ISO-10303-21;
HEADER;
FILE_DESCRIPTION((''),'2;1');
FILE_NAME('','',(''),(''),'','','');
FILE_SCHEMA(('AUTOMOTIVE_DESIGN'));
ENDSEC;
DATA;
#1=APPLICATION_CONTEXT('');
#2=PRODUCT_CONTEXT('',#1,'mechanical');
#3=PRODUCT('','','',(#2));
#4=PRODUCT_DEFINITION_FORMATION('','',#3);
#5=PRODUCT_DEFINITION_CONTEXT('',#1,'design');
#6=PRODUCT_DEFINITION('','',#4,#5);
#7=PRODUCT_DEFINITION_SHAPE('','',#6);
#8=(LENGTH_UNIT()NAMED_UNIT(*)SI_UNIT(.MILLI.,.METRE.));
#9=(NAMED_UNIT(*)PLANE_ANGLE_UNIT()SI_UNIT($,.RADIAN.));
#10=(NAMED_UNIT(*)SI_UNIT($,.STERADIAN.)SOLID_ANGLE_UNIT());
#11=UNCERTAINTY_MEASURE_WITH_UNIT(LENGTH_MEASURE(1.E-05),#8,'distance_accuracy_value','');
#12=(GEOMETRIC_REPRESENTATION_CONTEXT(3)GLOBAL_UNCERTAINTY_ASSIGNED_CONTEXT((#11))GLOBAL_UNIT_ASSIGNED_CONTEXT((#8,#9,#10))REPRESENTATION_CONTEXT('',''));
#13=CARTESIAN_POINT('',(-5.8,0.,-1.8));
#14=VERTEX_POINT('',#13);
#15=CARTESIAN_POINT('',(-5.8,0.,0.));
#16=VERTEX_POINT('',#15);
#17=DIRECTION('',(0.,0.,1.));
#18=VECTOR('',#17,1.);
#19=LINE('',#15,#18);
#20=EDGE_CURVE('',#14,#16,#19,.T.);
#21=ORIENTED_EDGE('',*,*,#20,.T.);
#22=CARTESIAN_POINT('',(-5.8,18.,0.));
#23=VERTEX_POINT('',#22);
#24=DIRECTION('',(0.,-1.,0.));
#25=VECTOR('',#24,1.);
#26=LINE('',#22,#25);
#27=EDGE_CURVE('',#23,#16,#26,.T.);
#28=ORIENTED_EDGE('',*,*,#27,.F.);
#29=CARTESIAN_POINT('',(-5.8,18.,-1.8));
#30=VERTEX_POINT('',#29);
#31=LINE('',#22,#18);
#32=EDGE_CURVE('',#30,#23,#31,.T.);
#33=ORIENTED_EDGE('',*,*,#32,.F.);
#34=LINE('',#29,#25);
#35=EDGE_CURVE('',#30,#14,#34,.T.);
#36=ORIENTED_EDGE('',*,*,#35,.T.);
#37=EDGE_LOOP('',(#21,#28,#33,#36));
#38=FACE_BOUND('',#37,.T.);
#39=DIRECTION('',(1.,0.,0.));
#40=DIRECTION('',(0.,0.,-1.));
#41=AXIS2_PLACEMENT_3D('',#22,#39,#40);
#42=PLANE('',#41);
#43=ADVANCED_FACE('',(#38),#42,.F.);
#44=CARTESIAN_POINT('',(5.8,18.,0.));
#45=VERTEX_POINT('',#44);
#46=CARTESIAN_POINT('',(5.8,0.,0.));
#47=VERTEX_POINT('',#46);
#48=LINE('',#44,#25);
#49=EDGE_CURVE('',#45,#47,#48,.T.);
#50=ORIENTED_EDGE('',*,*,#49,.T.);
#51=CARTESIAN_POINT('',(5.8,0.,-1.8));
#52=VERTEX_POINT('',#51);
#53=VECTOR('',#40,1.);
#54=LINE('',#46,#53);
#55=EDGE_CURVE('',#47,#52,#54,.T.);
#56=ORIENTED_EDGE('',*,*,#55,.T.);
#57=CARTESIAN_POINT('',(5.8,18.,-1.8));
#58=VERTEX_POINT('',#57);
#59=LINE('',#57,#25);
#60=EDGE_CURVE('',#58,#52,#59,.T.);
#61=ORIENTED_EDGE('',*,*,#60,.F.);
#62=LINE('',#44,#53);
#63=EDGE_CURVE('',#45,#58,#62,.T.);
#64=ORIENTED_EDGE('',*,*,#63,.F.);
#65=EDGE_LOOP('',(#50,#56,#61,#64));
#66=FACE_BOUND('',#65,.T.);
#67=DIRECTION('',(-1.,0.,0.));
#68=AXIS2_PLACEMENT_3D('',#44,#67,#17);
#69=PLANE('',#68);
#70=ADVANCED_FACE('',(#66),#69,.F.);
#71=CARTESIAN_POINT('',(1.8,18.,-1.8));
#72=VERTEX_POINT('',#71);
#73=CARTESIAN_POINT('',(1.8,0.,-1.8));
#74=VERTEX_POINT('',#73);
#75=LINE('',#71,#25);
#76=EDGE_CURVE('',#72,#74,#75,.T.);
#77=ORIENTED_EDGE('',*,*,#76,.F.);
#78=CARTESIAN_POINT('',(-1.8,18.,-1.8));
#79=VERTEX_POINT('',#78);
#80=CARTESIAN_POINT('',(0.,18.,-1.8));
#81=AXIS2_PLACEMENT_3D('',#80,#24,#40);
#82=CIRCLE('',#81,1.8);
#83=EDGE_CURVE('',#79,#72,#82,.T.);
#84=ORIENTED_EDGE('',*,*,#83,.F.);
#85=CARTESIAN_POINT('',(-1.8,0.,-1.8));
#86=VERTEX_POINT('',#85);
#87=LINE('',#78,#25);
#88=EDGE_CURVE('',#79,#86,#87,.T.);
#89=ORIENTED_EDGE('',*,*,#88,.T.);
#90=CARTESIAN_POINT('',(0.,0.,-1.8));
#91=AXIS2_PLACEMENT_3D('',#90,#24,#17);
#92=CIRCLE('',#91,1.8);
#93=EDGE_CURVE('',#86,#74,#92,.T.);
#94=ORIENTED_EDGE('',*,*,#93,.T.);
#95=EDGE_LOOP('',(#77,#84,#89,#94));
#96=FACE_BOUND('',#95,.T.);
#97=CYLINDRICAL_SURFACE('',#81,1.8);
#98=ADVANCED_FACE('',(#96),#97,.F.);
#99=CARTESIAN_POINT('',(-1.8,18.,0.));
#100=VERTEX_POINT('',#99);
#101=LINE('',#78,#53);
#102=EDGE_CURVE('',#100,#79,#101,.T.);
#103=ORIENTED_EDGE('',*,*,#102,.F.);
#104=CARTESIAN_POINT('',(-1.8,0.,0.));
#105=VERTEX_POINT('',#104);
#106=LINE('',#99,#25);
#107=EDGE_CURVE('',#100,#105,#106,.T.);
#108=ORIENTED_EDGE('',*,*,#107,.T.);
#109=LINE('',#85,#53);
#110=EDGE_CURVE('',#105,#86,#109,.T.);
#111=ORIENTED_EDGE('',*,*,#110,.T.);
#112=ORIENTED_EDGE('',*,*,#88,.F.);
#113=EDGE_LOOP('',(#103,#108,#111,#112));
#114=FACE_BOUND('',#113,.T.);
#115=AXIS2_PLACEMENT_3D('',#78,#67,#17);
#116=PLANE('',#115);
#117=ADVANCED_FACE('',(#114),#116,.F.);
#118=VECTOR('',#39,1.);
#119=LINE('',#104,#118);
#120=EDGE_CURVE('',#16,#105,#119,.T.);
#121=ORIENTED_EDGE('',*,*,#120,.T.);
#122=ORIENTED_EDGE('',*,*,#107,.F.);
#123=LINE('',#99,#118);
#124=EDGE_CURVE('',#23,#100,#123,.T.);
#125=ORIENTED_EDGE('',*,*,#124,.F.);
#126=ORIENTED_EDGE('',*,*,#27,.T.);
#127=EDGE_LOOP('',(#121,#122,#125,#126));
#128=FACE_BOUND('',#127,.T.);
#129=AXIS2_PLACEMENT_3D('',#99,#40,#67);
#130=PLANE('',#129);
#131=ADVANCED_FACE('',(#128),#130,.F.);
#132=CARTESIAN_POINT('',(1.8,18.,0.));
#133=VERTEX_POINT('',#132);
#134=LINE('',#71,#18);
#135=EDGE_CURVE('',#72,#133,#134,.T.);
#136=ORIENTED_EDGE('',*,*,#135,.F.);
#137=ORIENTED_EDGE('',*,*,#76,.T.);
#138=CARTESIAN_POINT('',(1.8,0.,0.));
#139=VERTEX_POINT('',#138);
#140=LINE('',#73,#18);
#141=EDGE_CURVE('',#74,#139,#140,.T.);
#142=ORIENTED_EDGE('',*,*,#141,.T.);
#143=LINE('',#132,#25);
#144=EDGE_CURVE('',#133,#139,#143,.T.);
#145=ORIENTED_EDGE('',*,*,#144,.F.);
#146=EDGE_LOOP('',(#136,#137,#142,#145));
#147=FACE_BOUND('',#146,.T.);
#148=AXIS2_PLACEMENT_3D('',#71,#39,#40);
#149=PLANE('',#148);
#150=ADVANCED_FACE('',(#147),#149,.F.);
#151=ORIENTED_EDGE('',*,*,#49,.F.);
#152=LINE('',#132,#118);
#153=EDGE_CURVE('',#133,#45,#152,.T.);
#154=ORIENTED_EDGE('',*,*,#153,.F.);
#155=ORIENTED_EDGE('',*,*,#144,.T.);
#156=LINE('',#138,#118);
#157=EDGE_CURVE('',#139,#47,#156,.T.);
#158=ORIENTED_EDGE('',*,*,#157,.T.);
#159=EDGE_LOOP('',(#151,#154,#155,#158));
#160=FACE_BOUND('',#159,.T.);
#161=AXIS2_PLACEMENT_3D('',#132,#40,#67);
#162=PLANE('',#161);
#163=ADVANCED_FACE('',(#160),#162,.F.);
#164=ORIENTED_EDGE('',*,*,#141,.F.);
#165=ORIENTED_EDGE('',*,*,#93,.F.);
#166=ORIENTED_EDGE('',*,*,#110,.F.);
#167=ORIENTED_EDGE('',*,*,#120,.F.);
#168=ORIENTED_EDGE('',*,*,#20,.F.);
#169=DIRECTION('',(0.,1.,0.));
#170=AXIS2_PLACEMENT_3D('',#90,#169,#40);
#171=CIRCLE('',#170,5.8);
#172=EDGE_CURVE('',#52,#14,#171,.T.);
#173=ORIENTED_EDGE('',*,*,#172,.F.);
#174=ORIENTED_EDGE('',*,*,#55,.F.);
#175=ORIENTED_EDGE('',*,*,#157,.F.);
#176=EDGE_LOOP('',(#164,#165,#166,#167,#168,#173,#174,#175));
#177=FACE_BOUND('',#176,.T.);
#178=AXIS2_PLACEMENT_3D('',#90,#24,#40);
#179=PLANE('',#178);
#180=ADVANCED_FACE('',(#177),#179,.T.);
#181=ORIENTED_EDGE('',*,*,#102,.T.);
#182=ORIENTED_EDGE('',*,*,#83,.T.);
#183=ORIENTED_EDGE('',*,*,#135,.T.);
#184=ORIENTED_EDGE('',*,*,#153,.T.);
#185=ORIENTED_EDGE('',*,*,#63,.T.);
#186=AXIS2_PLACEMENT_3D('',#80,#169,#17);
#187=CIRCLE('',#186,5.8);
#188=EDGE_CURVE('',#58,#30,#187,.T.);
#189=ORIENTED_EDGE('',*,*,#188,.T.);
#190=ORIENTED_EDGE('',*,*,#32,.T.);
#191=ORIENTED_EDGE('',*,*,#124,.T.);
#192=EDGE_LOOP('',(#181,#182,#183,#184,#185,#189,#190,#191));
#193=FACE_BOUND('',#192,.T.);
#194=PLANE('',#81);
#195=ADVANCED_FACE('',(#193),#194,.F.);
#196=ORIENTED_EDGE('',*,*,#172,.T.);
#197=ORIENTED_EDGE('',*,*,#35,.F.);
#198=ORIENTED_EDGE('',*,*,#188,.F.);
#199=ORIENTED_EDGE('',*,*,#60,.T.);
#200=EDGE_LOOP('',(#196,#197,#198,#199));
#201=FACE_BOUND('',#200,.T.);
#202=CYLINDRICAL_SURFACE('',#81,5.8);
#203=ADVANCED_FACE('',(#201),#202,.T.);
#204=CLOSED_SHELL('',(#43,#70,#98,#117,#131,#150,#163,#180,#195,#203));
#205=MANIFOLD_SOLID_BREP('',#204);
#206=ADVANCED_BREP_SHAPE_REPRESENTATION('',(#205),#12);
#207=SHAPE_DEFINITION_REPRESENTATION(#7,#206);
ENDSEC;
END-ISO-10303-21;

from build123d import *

# Parameters (mm, degrees)
BOSS_EXTRUDE1_DEPTH = 18


with BuildPart() as part:
    # Sketch3 → Boss-Extrude1 (new body)
    with BuildSketch(Plane(origin=(0, 0, 0), x_dir=(1, 0, 0), z_dir=(0, 1, 0))):
        with BuildLine():
            Line((-1.8, 0), (-5.8, 0))
            Line((-5.8, 0), (-5.8, 1.8))
            ThreePointArc((-5.8, 1.8), (-4.101219331, 5.901219331), (0, 7.6))
            ThreePointArc((0, 7.6), (4.101219331, 5.901219331), (5.8, 1.8))
            Line((5.8, 1.8), (5.8, 0))
            Line((5.8, 0), (1.8, 0))
            Line((1.8, 0), (1.8, 1.8))
            ThreePointArc((1.8, 1.8), (1.272792206, 3.072792206), (0, 3.6))
            ThreePointArc((0, 3.6), (-1.272792206, 3.072792206), (-1.8, 1.8))
            Line((-1.8, 1.8), (-1.8, 0))
        make_face()
    extrude(amount=BOSS_EXTRUDE1_DEPTH)


solid = part.part
